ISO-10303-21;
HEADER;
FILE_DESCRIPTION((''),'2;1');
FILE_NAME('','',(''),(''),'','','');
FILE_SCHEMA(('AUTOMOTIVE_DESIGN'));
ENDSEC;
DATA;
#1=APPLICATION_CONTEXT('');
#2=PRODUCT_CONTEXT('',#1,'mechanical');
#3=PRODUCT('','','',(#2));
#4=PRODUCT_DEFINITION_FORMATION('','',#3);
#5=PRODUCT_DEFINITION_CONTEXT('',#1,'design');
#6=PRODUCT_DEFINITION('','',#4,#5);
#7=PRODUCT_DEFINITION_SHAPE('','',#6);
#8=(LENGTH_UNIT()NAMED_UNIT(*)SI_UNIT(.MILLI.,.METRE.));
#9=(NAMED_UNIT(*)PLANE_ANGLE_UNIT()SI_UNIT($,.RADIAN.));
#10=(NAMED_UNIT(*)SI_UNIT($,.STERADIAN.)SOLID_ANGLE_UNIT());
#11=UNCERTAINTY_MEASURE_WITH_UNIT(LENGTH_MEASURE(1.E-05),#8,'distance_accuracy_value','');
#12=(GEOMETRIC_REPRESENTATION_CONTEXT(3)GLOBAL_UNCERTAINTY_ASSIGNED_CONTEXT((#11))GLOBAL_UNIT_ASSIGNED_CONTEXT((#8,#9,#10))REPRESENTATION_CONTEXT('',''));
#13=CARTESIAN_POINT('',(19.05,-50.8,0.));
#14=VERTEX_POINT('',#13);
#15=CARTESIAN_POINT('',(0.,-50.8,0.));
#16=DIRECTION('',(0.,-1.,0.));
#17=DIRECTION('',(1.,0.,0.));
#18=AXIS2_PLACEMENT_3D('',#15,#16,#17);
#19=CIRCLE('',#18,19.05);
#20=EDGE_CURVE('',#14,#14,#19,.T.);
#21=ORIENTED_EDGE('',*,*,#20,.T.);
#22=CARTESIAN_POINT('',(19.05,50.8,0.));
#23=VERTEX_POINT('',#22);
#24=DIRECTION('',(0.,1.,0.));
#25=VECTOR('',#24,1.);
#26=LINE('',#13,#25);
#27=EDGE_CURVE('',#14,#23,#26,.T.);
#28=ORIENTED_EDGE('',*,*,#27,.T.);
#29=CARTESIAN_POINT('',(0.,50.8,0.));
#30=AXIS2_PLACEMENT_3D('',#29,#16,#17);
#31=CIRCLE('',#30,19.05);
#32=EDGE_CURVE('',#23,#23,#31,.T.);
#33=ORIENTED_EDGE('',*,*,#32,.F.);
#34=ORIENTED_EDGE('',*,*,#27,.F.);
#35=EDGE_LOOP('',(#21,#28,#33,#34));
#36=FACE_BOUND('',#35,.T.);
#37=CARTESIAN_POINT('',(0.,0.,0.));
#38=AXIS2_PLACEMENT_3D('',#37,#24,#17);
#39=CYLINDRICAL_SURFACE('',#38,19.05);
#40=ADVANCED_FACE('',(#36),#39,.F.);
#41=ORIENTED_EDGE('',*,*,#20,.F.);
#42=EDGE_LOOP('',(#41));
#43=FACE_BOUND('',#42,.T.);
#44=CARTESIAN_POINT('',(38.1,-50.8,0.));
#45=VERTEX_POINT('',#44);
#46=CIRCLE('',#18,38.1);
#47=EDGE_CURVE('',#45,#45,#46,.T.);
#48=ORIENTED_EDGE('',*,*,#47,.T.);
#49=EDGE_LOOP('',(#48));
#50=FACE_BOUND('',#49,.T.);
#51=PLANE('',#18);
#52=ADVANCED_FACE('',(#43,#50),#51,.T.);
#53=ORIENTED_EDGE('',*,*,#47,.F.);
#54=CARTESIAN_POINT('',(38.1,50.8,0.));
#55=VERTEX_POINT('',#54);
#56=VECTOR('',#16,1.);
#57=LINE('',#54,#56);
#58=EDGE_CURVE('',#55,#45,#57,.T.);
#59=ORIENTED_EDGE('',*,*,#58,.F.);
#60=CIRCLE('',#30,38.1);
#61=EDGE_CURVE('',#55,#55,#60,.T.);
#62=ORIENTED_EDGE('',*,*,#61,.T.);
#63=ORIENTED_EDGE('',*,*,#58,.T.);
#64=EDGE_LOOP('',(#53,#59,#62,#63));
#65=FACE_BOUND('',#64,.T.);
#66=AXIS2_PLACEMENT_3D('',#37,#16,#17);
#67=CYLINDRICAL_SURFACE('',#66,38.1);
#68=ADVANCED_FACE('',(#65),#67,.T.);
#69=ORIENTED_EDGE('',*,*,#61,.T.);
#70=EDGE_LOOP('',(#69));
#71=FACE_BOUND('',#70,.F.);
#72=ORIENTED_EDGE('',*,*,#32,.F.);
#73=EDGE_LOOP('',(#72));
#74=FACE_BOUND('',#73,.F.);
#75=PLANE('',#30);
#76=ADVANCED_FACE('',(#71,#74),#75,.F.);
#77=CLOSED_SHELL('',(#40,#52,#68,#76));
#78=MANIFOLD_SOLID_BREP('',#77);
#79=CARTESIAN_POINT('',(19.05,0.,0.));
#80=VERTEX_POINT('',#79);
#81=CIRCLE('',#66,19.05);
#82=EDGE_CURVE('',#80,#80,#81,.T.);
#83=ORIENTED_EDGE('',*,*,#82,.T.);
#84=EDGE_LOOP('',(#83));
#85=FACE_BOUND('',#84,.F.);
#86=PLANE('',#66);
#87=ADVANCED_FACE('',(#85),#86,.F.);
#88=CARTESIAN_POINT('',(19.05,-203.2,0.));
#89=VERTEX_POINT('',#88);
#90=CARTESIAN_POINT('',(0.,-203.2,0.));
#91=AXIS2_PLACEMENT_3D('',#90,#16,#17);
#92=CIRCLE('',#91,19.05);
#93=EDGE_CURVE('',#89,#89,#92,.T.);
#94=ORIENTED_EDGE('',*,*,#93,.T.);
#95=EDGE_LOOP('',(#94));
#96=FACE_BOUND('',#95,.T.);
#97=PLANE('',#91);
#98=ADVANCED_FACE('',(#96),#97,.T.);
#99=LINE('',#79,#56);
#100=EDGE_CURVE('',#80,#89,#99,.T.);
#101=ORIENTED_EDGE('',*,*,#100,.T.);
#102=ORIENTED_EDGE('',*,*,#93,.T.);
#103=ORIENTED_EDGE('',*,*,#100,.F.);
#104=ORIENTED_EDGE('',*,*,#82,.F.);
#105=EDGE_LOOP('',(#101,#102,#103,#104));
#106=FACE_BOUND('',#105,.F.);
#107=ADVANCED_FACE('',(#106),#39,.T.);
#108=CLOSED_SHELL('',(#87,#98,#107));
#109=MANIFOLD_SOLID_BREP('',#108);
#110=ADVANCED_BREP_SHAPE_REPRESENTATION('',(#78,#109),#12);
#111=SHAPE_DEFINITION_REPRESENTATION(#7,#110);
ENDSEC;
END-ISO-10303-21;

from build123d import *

# Parameters (mm, degrees)
F0_R     = 38.1
F0_R_2   = 19.05
F1_DEPTH = 50.8
F2_DEPTH = 203.2


with BuildPart() as f1:
    # F0 (on Front) → F1 (new body, symmetric)
    with BuildSketch(Plane.XZ):
        Circle(F0_R)
        Circle(F0_R_2, mode=Mode.SUBTRACT)
    extrude(amount=F1_DEPTH, both=True)


with BuildPart() as f2:
    # F0 (on Front) → F2 (new body)
    with BuildSketch(Plane.XZ):
        Circle(F0_R_2)
    extrude(amount=F2_DEPTH)


solid = Compound([f1.part, f2.part])
